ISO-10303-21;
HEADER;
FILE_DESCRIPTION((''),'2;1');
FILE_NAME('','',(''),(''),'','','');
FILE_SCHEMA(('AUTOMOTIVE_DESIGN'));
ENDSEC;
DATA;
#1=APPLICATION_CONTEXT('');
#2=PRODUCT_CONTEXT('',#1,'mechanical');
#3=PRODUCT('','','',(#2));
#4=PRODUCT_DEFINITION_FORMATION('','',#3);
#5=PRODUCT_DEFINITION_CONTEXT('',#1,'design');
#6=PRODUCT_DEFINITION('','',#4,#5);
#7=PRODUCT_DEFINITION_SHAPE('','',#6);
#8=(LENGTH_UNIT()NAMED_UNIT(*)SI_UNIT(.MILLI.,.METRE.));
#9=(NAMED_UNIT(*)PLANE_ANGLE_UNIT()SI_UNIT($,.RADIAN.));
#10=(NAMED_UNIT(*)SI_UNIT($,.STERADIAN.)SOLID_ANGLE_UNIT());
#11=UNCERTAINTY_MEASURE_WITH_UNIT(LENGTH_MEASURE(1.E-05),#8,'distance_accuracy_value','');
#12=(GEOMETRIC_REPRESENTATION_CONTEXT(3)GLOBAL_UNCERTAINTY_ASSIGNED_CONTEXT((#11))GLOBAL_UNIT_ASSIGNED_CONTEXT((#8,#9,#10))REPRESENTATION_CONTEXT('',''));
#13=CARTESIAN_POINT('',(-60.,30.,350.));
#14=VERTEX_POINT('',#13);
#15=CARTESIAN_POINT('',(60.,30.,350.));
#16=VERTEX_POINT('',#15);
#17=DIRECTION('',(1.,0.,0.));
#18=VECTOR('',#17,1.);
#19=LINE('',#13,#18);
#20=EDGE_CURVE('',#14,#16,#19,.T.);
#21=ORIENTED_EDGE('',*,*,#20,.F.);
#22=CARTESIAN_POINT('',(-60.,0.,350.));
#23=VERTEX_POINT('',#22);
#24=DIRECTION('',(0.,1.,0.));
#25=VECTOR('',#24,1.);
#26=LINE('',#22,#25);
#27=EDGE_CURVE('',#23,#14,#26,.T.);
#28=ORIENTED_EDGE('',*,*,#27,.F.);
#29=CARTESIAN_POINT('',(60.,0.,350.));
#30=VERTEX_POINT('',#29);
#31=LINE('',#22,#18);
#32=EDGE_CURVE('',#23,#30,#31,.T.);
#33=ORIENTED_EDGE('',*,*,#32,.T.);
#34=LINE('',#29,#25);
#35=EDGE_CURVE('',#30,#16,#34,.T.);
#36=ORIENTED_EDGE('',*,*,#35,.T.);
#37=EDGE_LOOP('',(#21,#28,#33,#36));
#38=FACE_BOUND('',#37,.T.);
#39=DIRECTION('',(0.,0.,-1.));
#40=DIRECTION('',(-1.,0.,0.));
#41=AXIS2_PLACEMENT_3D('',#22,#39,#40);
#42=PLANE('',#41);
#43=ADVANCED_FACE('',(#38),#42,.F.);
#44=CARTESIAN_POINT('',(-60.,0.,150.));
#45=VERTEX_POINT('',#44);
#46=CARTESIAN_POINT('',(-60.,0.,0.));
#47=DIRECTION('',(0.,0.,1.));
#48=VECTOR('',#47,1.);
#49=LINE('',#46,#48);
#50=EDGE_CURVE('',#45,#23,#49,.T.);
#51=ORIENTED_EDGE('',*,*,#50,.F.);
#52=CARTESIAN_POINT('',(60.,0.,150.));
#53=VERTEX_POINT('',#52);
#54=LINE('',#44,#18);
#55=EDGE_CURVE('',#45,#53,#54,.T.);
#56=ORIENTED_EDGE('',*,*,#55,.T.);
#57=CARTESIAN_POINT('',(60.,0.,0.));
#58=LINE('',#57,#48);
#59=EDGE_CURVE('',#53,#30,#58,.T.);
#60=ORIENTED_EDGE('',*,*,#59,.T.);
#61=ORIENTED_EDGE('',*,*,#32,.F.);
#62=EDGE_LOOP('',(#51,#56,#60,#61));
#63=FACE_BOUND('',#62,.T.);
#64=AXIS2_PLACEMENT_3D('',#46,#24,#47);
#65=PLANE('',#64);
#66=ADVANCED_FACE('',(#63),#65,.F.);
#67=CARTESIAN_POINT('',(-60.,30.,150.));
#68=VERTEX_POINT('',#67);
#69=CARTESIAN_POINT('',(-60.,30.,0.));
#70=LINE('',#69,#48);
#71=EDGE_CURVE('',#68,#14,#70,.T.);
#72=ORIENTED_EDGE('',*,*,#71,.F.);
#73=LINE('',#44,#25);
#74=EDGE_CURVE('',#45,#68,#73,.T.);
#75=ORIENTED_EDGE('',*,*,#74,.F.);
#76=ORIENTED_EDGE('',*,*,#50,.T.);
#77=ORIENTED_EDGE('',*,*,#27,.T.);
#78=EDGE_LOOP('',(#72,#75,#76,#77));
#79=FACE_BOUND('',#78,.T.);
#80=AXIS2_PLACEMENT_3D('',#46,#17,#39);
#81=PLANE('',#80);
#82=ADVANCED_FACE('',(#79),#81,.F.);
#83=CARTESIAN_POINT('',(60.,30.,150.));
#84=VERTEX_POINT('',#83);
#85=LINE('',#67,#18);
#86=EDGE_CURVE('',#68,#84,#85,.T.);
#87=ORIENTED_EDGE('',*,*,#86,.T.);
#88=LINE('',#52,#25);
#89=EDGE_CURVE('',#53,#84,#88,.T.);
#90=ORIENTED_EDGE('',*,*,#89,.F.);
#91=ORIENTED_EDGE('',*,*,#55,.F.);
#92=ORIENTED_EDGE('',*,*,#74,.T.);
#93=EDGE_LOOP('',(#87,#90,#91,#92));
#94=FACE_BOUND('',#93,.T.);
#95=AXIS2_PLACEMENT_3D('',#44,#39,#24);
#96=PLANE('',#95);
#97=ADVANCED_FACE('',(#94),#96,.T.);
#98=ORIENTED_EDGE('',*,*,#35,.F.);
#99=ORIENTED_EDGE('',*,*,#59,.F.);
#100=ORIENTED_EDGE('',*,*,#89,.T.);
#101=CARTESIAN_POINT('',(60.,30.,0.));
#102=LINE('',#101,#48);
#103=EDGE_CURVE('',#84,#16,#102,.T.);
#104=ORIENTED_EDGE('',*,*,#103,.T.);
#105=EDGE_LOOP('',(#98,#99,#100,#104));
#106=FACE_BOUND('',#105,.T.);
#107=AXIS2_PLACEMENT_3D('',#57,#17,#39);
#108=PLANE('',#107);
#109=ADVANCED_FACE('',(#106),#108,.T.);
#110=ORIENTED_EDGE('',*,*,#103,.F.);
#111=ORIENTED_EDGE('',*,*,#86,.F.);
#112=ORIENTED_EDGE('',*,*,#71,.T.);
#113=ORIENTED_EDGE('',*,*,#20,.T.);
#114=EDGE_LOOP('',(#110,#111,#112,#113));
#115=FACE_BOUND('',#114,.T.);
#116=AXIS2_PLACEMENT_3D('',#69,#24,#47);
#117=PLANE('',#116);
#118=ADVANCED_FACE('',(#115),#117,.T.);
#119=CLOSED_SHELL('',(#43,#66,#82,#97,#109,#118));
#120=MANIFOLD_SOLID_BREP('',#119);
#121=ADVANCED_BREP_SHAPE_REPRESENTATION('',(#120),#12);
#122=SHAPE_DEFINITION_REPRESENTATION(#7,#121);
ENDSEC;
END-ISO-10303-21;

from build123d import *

# Parameters (mm, degrees)
BOSS_EXTRUDE2_DEPTH      = 60
BOSS_EXTRUDE2_DEPTH_BACK = 60
SKETCH1_W                = 30
SKETCH1_H                = 200


with BuildPart() as part:
    # Sketch1 → Boss-Extrude2 (new, two sides: drawn at the far end of the back side and taken through both)
    with BuildSketch(Plane.YZ.offset(-BOSS_EXTRUDE2_DEPTH_BACK)):
        with Locations((15, 250)):
            Rectangle(SKETCH1_W, SKETCH1_H)
    extrude(amount=BOSS_EXTRUDE2_DEPTH + BOSS_EXTRUDE2_DEPTH_BACK)


solid = part.part
